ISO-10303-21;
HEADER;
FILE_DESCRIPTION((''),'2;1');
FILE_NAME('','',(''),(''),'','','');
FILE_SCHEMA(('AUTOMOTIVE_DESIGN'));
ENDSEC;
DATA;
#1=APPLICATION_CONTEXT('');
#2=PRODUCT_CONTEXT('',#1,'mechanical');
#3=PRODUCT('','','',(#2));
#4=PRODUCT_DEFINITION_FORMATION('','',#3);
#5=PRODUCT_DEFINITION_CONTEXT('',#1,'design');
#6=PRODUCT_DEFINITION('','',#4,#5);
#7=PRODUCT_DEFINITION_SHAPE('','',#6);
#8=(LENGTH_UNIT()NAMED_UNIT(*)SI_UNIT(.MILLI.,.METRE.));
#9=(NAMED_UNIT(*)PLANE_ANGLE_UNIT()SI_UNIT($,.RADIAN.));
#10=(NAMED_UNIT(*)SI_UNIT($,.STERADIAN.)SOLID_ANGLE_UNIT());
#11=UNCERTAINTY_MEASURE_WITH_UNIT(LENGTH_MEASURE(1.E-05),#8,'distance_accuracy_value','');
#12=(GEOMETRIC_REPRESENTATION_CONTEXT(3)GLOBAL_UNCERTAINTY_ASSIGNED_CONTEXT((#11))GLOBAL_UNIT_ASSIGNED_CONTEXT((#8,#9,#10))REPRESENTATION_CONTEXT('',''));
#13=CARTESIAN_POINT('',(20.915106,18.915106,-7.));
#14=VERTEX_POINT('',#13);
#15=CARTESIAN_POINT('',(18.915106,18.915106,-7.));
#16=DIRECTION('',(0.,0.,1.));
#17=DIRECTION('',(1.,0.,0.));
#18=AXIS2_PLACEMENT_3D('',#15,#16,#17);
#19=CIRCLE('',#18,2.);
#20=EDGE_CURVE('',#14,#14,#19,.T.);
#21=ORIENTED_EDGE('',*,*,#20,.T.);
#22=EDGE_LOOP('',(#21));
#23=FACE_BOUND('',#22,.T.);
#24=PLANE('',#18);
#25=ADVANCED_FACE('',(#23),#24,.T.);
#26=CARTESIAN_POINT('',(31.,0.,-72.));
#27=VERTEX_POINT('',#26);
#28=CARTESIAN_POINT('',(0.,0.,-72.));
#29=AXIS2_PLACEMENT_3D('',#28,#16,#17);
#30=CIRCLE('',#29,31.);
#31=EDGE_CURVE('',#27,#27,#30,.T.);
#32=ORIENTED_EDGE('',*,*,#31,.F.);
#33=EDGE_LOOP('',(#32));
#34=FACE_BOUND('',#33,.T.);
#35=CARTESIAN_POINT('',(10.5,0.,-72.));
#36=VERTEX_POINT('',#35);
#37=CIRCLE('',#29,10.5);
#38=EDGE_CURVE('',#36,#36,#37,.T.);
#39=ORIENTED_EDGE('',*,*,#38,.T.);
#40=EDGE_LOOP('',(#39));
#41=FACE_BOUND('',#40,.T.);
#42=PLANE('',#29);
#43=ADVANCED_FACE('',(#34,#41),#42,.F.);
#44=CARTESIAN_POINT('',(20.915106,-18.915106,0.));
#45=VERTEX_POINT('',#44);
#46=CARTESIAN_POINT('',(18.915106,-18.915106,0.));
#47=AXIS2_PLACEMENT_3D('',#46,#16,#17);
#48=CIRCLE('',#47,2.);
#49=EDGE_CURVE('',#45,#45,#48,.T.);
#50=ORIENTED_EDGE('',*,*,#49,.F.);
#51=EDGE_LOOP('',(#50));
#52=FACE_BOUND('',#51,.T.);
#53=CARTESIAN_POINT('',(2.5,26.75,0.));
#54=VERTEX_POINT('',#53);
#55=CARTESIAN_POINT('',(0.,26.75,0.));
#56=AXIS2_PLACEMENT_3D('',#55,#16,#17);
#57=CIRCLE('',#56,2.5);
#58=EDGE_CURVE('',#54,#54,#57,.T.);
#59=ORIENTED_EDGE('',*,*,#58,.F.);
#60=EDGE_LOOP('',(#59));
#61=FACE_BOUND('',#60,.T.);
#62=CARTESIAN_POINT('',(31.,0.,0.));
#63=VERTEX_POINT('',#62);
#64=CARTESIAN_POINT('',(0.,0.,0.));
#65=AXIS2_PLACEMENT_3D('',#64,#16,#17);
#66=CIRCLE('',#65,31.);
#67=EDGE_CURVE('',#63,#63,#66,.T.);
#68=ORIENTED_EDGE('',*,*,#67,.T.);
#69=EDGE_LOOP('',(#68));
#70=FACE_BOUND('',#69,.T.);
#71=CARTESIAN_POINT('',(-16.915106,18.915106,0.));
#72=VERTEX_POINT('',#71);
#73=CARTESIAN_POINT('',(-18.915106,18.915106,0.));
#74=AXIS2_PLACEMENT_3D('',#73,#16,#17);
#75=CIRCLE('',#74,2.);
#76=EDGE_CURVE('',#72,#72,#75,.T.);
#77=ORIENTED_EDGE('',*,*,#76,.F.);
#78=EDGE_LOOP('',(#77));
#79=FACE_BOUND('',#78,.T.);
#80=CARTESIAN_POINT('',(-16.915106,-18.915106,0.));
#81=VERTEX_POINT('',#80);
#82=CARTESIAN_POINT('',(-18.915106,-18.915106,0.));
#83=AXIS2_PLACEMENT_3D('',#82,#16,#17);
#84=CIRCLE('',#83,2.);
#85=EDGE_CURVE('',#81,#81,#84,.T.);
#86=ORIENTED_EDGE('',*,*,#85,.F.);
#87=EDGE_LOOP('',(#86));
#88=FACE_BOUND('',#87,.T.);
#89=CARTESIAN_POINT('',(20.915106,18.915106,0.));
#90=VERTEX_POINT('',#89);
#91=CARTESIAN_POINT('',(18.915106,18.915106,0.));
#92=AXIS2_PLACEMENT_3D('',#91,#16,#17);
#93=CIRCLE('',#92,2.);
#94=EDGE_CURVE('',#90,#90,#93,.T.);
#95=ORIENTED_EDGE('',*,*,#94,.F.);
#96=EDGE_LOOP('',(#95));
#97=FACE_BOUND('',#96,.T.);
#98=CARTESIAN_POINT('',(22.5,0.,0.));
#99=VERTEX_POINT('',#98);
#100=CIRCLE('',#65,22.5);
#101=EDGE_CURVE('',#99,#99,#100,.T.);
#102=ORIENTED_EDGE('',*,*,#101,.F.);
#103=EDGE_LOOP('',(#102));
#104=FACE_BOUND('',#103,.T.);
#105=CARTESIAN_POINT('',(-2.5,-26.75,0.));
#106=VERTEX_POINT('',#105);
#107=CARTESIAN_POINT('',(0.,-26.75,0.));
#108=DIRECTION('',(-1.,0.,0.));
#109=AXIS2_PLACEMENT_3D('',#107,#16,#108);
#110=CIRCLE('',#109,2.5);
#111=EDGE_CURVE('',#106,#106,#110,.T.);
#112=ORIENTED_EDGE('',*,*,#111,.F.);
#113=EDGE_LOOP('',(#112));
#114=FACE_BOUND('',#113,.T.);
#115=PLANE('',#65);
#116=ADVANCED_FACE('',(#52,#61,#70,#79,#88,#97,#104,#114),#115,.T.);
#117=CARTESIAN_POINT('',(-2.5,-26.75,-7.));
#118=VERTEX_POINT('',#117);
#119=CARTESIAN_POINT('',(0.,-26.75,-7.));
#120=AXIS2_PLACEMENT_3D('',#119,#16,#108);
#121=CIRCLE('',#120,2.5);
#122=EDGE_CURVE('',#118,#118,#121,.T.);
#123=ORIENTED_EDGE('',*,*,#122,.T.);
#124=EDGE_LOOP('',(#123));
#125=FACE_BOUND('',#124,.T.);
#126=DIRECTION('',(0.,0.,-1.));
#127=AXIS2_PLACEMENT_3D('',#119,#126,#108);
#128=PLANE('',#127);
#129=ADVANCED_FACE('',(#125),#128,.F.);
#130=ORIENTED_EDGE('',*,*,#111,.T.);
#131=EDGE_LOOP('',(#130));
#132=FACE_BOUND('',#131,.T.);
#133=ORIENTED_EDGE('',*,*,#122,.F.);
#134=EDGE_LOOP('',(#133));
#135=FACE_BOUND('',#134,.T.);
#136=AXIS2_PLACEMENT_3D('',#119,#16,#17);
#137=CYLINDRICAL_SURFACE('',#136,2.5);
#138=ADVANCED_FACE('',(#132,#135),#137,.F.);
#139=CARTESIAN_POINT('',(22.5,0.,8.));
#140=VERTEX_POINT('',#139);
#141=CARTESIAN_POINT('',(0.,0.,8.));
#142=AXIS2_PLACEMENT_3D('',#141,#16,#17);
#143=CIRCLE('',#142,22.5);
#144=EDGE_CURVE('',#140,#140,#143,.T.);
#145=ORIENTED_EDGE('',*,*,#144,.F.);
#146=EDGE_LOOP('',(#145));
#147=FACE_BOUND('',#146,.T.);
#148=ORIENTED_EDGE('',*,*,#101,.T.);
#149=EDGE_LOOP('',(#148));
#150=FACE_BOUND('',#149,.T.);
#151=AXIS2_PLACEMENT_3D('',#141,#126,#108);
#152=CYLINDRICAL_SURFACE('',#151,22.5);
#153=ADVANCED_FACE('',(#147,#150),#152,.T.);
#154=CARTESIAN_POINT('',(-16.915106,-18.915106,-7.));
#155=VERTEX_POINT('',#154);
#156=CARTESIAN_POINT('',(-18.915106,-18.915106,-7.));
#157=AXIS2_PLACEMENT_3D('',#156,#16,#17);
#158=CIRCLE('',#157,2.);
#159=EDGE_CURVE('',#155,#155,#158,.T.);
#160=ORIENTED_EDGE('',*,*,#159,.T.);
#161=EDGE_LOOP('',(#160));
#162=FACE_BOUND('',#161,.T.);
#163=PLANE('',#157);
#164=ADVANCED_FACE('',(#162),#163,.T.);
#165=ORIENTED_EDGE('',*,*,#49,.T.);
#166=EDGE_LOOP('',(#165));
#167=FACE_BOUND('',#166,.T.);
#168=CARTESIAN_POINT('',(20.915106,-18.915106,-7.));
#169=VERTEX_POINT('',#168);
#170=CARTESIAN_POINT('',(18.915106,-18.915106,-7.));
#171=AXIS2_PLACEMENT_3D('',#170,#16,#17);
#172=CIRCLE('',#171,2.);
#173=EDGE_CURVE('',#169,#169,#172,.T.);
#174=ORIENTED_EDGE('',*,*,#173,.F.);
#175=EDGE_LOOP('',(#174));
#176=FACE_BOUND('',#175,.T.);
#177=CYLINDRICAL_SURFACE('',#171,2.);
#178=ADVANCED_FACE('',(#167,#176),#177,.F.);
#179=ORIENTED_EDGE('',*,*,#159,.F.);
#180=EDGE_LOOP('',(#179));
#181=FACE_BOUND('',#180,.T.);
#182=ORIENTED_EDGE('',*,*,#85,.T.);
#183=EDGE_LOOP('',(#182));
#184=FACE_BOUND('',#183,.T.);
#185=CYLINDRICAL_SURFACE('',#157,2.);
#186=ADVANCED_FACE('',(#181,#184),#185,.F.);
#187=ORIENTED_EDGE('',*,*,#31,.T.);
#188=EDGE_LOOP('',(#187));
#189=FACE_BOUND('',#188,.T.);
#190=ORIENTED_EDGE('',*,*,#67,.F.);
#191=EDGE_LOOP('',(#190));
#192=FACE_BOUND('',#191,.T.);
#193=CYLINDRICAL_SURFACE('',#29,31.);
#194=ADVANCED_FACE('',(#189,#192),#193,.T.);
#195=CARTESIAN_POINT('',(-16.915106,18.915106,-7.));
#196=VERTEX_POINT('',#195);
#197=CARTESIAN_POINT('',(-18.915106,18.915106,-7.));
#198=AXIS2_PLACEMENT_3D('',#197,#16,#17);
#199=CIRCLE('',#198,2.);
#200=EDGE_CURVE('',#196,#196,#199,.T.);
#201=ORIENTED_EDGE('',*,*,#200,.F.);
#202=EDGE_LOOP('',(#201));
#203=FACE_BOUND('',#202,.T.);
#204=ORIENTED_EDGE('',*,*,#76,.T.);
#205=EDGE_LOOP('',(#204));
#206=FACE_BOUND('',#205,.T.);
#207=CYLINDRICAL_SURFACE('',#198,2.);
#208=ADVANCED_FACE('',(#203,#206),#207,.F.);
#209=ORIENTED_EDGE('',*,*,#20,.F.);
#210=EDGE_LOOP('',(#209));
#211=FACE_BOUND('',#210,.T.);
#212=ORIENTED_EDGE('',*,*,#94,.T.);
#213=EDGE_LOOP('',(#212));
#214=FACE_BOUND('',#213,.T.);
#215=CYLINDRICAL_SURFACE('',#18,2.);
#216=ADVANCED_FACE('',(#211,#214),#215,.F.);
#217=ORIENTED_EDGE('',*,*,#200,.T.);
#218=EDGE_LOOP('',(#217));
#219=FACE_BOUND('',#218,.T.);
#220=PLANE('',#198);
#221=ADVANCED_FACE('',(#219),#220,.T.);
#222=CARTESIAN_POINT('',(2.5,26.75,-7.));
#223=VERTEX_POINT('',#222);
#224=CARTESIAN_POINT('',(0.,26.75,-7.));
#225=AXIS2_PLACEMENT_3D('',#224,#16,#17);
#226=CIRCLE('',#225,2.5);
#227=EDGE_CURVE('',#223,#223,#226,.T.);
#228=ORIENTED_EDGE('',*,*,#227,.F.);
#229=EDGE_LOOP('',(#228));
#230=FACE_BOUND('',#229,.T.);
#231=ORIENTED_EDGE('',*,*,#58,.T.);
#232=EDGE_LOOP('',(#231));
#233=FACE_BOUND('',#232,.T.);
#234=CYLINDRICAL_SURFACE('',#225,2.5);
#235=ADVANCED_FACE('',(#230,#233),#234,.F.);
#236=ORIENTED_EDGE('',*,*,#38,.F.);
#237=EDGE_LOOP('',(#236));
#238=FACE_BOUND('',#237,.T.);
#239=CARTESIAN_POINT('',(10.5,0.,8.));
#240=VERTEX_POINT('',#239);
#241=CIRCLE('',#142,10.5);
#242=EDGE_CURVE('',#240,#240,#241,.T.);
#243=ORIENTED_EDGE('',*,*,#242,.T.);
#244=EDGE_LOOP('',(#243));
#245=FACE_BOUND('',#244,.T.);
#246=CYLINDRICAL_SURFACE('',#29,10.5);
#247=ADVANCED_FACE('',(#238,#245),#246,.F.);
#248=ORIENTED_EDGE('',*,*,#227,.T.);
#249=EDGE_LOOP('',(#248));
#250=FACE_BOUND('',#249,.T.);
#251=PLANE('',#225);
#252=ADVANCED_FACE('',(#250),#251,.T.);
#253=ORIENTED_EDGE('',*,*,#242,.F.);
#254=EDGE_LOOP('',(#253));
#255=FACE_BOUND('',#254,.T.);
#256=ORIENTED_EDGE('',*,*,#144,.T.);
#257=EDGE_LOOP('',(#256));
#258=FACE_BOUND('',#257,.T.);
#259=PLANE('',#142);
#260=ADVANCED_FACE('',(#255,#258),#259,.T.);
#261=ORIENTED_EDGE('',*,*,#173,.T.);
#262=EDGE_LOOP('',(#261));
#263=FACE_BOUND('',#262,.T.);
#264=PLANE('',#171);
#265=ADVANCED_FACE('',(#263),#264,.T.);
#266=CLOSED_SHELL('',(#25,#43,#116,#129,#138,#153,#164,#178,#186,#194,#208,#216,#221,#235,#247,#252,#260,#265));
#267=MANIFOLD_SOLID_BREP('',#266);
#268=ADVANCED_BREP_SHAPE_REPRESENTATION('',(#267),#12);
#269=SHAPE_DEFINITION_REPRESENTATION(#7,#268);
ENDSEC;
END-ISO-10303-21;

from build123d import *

# Parameters (mm, degrees)
SKETCH_1_R          = 31
SKETCH_1_R_2        = 10.5
EXTRUDE_1_DEPTH     = 72
EXTRUDE_START       = 8
SKETCH_1_3_R        = 22.5
SKETCH_1_3_R_2      = 10.5
EXTRUDE_2_DEPTH     = 8
SKETCH_2_R          = 2.5
SKETCH_2_R_2        = 2
CUT_EXTRUDE_3_DEPTH = 7


with BuildPart() as part:
    # 草图1 → 凸台-拉伸1 (new body)
    with BuildSketch(Plane.XY):
        Circle(SKETCH_1_R)
        Circle(SKETCH_1_R_2, mode=Mode.SUBTRACT)
    extrude(amount=-EXTRUDE_1_DEPTH)

    # 草图1<3> → 凸台-拉伸2 (add)
    with BuildSketch(Plane.XY.offset(EXTRUDE_START)):
        Circle(SKETCH_1_3_R)
        Circle(SKETCH_1_3_R_2, mode=Mode.SUBTRACT)
    extrude(amount=-EXTRUDE_2_DEPTH)

    # 草图2 → 切除-拉伸3 (cut)
    with BuildSketch(Plane.XY):
        with Locations((0, 26.75)):
            Circle(SKETCH_2_R)
        with Locations((18.915106397, 18.915106397)):
            Circle(SKETCH_2_R_2)
        with Locations((0, -26.75)):
            Circle(SKETCH_2_R)
        with Locations((18.915106397, -18.915106397)):
            Circle(SKETCH_2_R_2)
        with Locations((-18.915106397, -18.915106397)):
            Circle(SKETCH_2_R_2)
        with Locations((-18.915106397, 18.915106397)):
            Circle(SKETCH_2_R_2)
    extrude(amount=-CUT_EXTRUDE_3_DEPTH, mode=Mode.SUBTRACT)


solid = part.part
